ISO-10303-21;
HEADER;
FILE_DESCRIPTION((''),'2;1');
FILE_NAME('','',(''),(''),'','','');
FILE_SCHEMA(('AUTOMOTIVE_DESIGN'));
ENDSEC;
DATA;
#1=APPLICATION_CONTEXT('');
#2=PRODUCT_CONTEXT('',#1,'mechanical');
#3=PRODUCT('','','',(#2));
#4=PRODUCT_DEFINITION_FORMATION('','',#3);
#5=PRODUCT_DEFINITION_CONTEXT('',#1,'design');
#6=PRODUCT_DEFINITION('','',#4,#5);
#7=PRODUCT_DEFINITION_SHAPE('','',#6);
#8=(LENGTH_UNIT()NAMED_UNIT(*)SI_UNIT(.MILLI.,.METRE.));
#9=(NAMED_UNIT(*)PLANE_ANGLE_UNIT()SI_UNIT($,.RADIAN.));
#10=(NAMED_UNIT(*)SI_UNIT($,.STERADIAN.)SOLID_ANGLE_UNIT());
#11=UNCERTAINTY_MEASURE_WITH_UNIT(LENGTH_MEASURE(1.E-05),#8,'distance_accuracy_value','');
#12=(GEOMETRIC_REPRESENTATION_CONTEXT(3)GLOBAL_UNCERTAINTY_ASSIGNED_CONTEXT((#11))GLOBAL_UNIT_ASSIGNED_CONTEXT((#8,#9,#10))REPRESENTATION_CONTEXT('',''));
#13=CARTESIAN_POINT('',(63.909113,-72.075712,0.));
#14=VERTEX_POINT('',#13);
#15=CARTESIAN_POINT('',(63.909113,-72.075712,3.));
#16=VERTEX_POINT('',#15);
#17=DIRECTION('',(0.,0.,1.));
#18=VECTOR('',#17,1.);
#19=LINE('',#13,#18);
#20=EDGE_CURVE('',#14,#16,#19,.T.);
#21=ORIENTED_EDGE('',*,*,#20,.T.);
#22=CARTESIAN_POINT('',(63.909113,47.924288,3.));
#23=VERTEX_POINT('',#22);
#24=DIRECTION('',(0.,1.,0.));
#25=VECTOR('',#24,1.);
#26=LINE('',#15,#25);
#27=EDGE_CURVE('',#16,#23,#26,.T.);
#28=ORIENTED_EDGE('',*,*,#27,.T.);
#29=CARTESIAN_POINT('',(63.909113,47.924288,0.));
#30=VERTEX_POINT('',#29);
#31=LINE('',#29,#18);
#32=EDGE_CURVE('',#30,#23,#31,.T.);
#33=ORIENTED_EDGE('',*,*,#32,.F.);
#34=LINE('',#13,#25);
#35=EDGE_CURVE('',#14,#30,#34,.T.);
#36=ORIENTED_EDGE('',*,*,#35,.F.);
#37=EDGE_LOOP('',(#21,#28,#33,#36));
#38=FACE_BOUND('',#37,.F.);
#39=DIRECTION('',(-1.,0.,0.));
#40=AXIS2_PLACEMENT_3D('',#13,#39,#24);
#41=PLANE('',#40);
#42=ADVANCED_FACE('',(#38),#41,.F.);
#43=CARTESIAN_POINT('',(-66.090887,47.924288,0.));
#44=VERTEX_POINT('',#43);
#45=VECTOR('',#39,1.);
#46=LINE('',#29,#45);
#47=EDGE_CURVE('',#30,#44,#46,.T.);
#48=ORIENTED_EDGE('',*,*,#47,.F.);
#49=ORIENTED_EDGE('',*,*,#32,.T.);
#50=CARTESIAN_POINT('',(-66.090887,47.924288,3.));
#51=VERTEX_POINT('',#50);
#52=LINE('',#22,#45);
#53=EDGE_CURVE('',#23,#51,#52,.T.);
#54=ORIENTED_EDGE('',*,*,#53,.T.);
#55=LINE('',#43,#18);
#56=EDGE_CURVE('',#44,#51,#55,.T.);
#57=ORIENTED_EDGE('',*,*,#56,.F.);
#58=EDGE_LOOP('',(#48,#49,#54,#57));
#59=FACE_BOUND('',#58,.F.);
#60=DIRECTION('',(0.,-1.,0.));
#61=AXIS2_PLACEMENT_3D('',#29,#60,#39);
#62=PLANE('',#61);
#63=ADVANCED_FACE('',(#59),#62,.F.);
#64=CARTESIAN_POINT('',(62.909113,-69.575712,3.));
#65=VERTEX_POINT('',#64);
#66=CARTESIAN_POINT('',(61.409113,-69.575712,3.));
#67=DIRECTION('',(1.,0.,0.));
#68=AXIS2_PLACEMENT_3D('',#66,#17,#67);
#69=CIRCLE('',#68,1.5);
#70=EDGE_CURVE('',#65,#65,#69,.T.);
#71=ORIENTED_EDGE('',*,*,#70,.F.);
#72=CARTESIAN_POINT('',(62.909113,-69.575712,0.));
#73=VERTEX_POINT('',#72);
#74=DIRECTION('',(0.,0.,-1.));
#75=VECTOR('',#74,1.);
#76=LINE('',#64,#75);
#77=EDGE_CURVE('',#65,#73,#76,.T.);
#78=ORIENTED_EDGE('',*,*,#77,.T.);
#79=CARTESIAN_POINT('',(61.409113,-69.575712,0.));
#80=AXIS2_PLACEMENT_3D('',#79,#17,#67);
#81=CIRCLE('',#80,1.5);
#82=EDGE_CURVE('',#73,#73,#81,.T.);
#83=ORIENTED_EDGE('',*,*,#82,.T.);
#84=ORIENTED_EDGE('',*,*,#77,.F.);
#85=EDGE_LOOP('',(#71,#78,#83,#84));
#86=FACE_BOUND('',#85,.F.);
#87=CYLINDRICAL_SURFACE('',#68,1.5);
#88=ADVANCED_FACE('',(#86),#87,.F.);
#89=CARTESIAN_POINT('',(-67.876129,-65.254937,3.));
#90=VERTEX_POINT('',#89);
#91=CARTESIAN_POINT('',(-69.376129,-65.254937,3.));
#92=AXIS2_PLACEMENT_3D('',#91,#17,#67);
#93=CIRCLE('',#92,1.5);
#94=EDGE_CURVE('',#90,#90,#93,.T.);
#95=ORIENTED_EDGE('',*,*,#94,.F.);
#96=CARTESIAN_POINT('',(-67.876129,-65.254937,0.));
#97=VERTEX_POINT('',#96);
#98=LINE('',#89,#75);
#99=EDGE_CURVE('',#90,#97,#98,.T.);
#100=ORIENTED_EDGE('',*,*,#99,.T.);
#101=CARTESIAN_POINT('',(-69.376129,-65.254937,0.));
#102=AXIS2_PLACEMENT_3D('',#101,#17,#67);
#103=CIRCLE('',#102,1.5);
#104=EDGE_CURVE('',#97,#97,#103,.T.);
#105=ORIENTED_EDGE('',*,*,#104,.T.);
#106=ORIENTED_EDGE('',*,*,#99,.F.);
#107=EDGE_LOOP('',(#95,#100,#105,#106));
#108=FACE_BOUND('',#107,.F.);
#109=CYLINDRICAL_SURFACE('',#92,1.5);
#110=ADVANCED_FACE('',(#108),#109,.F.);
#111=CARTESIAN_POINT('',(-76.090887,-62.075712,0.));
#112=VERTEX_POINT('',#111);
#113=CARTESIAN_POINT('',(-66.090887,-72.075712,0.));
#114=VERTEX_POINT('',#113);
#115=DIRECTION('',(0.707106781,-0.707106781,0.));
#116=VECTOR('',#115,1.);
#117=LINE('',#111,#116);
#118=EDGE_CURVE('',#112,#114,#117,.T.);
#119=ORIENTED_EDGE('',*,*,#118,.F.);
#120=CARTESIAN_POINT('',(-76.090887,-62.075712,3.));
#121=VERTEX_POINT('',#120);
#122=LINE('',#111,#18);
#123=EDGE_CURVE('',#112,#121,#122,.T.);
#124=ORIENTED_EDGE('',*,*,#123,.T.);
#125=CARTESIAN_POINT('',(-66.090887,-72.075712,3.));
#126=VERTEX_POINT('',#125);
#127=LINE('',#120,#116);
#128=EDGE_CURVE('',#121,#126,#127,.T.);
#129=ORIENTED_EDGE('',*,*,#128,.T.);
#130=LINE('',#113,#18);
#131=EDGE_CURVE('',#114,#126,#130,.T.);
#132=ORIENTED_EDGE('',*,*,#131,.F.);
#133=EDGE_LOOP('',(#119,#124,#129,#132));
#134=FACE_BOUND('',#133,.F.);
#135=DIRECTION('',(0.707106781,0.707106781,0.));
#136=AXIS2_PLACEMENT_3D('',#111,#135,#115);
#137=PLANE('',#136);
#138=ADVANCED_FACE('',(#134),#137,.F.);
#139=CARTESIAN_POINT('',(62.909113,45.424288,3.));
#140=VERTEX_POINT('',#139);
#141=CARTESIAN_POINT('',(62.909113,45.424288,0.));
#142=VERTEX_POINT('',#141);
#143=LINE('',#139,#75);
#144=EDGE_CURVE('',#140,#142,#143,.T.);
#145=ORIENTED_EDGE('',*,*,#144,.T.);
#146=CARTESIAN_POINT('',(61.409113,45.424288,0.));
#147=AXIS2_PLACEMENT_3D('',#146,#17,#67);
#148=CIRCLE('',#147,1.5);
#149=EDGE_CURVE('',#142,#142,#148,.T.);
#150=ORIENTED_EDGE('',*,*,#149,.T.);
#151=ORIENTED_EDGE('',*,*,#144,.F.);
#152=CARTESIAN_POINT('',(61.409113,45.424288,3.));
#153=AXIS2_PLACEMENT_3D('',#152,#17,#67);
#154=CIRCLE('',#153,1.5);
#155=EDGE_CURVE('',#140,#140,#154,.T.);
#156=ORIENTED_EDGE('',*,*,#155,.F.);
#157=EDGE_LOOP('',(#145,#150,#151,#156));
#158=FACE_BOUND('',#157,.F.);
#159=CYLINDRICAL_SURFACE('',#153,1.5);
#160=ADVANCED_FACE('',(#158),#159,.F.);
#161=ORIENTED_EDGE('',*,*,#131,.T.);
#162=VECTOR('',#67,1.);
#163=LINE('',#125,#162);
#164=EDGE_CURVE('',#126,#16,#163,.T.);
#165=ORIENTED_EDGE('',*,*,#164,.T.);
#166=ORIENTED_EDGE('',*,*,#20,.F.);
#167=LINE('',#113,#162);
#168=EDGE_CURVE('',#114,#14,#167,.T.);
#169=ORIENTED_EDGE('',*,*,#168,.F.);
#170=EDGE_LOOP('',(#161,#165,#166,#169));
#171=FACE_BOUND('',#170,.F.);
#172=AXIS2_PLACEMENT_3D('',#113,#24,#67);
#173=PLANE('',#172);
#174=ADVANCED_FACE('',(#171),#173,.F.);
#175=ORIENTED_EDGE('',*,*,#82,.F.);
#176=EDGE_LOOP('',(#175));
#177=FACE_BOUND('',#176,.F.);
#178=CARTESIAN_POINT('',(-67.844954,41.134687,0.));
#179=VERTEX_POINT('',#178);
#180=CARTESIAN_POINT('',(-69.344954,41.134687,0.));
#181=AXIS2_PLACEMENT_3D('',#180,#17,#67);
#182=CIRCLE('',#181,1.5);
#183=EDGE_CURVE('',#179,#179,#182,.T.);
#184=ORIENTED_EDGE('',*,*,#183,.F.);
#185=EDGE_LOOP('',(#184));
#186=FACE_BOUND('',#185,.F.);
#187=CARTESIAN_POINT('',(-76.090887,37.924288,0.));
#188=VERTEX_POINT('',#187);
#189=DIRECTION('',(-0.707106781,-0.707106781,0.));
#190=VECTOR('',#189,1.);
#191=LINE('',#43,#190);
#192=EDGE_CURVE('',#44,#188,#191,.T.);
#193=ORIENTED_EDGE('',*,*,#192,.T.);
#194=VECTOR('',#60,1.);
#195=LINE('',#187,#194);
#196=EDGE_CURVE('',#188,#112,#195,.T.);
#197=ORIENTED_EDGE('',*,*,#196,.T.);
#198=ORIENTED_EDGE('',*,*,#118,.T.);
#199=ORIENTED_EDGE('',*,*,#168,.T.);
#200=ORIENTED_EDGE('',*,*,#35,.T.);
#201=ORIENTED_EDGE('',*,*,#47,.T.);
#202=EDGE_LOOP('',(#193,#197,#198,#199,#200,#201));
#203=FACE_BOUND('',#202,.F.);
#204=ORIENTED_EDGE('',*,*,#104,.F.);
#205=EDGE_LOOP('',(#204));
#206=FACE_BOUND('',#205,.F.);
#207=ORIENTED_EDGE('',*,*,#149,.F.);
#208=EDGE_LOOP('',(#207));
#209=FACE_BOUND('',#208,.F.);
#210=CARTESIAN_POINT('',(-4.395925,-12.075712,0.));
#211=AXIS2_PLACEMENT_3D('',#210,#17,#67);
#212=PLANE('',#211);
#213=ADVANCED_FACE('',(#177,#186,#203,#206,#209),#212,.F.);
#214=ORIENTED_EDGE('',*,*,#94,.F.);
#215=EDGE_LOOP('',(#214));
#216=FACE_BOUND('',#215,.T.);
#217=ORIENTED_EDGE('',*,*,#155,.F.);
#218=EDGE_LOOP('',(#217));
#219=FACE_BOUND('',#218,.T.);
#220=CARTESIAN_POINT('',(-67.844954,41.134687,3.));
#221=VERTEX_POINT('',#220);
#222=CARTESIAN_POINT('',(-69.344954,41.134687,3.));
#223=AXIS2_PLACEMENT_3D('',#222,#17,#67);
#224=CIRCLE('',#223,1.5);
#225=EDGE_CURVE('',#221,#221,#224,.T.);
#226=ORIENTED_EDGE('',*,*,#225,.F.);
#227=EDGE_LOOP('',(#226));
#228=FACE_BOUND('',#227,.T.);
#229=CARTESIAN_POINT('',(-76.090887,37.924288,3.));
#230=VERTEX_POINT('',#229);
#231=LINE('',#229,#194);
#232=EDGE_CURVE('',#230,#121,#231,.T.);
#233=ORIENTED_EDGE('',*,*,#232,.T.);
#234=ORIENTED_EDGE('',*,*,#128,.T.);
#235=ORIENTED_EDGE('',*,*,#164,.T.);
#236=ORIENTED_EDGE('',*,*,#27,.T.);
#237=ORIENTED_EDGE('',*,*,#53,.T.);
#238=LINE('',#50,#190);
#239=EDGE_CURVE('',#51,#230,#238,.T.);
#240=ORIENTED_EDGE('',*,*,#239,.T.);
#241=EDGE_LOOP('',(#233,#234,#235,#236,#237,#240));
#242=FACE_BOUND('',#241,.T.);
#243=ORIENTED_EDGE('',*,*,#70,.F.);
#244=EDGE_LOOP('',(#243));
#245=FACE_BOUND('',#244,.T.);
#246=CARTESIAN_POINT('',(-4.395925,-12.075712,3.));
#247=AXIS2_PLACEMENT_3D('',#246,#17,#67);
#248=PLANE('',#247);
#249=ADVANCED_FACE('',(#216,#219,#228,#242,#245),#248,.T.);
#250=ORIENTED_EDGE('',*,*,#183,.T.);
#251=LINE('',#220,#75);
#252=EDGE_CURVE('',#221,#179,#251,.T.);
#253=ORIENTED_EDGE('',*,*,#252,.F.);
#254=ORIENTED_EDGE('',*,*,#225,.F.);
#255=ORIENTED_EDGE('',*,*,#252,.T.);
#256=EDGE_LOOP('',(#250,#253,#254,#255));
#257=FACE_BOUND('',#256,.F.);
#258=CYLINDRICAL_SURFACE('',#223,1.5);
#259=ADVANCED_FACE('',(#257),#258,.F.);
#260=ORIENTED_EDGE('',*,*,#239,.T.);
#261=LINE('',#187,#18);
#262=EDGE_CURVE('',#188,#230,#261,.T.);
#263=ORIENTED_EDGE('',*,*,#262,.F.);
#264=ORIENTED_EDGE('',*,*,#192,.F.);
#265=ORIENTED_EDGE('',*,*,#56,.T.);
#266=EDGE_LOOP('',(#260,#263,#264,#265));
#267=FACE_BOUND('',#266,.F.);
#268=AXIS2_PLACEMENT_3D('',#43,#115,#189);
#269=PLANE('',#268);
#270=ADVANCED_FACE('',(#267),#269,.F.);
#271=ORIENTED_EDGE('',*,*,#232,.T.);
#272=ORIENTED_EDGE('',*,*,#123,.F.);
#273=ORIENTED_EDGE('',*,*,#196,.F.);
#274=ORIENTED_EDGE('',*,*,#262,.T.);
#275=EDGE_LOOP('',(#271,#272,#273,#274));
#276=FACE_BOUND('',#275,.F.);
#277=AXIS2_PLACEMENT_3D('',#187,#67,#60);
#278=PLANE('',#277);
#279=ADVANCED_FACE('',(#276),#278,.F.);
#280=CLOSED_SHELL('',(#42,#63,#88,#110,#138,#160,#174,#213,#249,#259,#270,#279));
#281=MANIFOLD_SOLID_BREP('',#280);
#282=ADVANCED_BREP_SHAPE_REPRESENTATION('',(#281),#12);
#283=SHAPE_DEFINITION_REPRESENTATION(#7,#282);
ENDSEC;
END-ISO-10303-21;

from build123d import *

# Parameters (mm, degrees)
F1_DEPTH = 3
F2_R     = 1.5
F3_DEPTH = 4


with BuildPart() as f1:
    # F0 (on Top) → F1 (new body)
    with BuildSketch(Plane.XY):
        Polygon((63.909113, -72.075712), (63.909113, 47.924288), (-66.090887, 47.924288), (-76.090887, 37.924288), (-76.090887, -62.075712), (-66.090887, -72.075712), align=None)
    extrude(amount=F1_DEPTH)

    # F2 (on face) → F3 (cut)
    with BuildSketch(Plane.XY.offset(3)):
        with Locations((61.409113, 45.424288)):
            Circle(F2_R)
        with Locations((61.409113, -69.575712)):
            Circle(F2_R)
        with Locations((-69.344954, 41.134687)):
            Circle(F2_R)
        with Locations((-69.376129, -65.254937)):
            Circle(F2_R)
    extrude(amount=-F3_DEPTH, mode=Mode.SUBTRACT)


solid = f1.part
